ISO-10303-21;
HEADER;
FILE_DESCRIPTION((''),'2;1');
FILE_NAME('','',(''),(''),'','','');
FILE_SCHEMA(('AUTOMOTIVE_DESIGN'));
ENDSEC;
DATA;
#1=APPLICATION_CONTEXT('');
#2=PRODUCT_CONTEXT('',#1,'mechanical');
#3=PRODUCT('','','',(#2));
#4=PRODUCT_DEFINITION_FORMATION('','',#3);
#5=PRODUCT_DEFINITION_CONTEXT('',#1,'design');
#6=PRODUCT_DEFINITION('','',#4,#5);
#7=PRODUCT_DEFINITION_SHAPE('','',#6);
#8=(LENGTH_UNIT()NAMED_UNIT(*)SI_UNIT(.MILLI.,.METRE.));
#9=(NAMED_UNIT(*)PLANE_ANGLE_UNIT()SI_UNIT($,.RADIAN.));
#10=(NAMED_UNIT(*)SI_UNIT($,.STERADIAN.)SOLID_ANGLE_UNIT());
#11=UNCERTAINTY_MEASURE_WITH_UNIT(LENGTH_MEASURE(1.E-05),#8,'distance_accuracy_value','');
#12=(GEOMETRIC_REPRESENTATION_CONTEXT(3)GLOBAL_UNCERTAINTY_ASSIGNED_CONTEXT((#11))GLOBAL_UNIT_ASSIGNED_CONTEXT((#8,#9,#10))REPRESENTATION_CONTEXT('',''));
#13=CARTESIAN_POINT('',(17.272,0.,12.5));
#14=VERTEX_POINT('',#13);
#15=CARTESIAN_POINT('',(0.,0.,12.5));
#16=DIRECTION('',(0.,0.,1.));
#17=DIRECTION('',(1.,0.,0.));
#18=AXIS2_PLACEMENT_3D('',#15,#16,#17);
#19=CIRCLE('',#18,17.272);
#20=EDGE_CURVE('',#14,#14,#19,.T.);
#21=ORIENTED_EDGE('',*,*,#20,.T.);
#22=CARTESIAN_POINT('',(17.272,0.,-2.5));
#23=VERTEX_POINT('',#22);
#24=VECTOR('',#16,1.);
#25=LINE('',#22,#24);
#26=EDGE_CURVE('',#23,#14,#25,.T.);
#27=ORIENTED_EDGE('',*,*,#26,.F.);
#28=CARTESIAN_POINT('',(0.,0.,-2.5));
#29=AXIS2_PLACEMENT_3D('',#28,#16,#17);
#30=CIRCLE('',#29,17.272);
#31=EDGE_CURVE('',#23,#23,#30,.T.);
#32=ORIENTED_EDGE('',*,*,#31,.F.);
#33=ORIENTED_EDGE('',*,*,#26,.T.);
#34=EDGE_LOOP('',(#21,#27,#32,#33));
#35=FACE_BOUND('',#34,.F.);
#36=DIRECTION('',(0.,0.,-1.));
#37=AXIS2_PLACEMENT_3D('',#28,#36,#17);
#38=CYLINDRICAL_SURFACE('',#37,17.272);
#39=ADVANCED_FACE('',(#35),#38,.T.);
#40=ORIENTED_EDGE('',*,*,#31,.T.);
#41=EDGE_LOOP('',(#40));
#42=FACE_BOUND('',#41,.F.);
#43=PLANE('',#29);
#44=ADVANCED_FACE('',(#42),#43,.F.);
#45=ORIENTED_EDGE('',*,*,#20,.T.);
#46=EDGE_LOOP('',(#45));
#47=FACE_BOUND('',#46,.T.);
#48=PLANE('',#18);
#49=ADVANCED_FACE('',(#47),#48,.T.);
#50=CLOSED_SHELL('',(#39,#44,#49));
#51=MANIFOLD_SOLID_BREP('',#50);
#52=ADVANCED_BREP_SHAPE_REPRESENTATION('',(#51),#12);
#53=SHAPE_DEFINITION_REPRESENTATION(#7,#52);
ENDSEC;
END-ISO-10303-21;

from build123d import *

# Parameters (mm, degrees)
CYLINDER_R     = 17.272
CYLINDER_DEPTH = 15


with BuildPart() as part:
    # Cylinder → Cylinder (new body)
    with BuildSketch(Plane.XY.offset(-2.5)):
        Circle(CYLINDER_R)
    extrude(amount=CYLINDER_DEPTH)


solid = part.part
